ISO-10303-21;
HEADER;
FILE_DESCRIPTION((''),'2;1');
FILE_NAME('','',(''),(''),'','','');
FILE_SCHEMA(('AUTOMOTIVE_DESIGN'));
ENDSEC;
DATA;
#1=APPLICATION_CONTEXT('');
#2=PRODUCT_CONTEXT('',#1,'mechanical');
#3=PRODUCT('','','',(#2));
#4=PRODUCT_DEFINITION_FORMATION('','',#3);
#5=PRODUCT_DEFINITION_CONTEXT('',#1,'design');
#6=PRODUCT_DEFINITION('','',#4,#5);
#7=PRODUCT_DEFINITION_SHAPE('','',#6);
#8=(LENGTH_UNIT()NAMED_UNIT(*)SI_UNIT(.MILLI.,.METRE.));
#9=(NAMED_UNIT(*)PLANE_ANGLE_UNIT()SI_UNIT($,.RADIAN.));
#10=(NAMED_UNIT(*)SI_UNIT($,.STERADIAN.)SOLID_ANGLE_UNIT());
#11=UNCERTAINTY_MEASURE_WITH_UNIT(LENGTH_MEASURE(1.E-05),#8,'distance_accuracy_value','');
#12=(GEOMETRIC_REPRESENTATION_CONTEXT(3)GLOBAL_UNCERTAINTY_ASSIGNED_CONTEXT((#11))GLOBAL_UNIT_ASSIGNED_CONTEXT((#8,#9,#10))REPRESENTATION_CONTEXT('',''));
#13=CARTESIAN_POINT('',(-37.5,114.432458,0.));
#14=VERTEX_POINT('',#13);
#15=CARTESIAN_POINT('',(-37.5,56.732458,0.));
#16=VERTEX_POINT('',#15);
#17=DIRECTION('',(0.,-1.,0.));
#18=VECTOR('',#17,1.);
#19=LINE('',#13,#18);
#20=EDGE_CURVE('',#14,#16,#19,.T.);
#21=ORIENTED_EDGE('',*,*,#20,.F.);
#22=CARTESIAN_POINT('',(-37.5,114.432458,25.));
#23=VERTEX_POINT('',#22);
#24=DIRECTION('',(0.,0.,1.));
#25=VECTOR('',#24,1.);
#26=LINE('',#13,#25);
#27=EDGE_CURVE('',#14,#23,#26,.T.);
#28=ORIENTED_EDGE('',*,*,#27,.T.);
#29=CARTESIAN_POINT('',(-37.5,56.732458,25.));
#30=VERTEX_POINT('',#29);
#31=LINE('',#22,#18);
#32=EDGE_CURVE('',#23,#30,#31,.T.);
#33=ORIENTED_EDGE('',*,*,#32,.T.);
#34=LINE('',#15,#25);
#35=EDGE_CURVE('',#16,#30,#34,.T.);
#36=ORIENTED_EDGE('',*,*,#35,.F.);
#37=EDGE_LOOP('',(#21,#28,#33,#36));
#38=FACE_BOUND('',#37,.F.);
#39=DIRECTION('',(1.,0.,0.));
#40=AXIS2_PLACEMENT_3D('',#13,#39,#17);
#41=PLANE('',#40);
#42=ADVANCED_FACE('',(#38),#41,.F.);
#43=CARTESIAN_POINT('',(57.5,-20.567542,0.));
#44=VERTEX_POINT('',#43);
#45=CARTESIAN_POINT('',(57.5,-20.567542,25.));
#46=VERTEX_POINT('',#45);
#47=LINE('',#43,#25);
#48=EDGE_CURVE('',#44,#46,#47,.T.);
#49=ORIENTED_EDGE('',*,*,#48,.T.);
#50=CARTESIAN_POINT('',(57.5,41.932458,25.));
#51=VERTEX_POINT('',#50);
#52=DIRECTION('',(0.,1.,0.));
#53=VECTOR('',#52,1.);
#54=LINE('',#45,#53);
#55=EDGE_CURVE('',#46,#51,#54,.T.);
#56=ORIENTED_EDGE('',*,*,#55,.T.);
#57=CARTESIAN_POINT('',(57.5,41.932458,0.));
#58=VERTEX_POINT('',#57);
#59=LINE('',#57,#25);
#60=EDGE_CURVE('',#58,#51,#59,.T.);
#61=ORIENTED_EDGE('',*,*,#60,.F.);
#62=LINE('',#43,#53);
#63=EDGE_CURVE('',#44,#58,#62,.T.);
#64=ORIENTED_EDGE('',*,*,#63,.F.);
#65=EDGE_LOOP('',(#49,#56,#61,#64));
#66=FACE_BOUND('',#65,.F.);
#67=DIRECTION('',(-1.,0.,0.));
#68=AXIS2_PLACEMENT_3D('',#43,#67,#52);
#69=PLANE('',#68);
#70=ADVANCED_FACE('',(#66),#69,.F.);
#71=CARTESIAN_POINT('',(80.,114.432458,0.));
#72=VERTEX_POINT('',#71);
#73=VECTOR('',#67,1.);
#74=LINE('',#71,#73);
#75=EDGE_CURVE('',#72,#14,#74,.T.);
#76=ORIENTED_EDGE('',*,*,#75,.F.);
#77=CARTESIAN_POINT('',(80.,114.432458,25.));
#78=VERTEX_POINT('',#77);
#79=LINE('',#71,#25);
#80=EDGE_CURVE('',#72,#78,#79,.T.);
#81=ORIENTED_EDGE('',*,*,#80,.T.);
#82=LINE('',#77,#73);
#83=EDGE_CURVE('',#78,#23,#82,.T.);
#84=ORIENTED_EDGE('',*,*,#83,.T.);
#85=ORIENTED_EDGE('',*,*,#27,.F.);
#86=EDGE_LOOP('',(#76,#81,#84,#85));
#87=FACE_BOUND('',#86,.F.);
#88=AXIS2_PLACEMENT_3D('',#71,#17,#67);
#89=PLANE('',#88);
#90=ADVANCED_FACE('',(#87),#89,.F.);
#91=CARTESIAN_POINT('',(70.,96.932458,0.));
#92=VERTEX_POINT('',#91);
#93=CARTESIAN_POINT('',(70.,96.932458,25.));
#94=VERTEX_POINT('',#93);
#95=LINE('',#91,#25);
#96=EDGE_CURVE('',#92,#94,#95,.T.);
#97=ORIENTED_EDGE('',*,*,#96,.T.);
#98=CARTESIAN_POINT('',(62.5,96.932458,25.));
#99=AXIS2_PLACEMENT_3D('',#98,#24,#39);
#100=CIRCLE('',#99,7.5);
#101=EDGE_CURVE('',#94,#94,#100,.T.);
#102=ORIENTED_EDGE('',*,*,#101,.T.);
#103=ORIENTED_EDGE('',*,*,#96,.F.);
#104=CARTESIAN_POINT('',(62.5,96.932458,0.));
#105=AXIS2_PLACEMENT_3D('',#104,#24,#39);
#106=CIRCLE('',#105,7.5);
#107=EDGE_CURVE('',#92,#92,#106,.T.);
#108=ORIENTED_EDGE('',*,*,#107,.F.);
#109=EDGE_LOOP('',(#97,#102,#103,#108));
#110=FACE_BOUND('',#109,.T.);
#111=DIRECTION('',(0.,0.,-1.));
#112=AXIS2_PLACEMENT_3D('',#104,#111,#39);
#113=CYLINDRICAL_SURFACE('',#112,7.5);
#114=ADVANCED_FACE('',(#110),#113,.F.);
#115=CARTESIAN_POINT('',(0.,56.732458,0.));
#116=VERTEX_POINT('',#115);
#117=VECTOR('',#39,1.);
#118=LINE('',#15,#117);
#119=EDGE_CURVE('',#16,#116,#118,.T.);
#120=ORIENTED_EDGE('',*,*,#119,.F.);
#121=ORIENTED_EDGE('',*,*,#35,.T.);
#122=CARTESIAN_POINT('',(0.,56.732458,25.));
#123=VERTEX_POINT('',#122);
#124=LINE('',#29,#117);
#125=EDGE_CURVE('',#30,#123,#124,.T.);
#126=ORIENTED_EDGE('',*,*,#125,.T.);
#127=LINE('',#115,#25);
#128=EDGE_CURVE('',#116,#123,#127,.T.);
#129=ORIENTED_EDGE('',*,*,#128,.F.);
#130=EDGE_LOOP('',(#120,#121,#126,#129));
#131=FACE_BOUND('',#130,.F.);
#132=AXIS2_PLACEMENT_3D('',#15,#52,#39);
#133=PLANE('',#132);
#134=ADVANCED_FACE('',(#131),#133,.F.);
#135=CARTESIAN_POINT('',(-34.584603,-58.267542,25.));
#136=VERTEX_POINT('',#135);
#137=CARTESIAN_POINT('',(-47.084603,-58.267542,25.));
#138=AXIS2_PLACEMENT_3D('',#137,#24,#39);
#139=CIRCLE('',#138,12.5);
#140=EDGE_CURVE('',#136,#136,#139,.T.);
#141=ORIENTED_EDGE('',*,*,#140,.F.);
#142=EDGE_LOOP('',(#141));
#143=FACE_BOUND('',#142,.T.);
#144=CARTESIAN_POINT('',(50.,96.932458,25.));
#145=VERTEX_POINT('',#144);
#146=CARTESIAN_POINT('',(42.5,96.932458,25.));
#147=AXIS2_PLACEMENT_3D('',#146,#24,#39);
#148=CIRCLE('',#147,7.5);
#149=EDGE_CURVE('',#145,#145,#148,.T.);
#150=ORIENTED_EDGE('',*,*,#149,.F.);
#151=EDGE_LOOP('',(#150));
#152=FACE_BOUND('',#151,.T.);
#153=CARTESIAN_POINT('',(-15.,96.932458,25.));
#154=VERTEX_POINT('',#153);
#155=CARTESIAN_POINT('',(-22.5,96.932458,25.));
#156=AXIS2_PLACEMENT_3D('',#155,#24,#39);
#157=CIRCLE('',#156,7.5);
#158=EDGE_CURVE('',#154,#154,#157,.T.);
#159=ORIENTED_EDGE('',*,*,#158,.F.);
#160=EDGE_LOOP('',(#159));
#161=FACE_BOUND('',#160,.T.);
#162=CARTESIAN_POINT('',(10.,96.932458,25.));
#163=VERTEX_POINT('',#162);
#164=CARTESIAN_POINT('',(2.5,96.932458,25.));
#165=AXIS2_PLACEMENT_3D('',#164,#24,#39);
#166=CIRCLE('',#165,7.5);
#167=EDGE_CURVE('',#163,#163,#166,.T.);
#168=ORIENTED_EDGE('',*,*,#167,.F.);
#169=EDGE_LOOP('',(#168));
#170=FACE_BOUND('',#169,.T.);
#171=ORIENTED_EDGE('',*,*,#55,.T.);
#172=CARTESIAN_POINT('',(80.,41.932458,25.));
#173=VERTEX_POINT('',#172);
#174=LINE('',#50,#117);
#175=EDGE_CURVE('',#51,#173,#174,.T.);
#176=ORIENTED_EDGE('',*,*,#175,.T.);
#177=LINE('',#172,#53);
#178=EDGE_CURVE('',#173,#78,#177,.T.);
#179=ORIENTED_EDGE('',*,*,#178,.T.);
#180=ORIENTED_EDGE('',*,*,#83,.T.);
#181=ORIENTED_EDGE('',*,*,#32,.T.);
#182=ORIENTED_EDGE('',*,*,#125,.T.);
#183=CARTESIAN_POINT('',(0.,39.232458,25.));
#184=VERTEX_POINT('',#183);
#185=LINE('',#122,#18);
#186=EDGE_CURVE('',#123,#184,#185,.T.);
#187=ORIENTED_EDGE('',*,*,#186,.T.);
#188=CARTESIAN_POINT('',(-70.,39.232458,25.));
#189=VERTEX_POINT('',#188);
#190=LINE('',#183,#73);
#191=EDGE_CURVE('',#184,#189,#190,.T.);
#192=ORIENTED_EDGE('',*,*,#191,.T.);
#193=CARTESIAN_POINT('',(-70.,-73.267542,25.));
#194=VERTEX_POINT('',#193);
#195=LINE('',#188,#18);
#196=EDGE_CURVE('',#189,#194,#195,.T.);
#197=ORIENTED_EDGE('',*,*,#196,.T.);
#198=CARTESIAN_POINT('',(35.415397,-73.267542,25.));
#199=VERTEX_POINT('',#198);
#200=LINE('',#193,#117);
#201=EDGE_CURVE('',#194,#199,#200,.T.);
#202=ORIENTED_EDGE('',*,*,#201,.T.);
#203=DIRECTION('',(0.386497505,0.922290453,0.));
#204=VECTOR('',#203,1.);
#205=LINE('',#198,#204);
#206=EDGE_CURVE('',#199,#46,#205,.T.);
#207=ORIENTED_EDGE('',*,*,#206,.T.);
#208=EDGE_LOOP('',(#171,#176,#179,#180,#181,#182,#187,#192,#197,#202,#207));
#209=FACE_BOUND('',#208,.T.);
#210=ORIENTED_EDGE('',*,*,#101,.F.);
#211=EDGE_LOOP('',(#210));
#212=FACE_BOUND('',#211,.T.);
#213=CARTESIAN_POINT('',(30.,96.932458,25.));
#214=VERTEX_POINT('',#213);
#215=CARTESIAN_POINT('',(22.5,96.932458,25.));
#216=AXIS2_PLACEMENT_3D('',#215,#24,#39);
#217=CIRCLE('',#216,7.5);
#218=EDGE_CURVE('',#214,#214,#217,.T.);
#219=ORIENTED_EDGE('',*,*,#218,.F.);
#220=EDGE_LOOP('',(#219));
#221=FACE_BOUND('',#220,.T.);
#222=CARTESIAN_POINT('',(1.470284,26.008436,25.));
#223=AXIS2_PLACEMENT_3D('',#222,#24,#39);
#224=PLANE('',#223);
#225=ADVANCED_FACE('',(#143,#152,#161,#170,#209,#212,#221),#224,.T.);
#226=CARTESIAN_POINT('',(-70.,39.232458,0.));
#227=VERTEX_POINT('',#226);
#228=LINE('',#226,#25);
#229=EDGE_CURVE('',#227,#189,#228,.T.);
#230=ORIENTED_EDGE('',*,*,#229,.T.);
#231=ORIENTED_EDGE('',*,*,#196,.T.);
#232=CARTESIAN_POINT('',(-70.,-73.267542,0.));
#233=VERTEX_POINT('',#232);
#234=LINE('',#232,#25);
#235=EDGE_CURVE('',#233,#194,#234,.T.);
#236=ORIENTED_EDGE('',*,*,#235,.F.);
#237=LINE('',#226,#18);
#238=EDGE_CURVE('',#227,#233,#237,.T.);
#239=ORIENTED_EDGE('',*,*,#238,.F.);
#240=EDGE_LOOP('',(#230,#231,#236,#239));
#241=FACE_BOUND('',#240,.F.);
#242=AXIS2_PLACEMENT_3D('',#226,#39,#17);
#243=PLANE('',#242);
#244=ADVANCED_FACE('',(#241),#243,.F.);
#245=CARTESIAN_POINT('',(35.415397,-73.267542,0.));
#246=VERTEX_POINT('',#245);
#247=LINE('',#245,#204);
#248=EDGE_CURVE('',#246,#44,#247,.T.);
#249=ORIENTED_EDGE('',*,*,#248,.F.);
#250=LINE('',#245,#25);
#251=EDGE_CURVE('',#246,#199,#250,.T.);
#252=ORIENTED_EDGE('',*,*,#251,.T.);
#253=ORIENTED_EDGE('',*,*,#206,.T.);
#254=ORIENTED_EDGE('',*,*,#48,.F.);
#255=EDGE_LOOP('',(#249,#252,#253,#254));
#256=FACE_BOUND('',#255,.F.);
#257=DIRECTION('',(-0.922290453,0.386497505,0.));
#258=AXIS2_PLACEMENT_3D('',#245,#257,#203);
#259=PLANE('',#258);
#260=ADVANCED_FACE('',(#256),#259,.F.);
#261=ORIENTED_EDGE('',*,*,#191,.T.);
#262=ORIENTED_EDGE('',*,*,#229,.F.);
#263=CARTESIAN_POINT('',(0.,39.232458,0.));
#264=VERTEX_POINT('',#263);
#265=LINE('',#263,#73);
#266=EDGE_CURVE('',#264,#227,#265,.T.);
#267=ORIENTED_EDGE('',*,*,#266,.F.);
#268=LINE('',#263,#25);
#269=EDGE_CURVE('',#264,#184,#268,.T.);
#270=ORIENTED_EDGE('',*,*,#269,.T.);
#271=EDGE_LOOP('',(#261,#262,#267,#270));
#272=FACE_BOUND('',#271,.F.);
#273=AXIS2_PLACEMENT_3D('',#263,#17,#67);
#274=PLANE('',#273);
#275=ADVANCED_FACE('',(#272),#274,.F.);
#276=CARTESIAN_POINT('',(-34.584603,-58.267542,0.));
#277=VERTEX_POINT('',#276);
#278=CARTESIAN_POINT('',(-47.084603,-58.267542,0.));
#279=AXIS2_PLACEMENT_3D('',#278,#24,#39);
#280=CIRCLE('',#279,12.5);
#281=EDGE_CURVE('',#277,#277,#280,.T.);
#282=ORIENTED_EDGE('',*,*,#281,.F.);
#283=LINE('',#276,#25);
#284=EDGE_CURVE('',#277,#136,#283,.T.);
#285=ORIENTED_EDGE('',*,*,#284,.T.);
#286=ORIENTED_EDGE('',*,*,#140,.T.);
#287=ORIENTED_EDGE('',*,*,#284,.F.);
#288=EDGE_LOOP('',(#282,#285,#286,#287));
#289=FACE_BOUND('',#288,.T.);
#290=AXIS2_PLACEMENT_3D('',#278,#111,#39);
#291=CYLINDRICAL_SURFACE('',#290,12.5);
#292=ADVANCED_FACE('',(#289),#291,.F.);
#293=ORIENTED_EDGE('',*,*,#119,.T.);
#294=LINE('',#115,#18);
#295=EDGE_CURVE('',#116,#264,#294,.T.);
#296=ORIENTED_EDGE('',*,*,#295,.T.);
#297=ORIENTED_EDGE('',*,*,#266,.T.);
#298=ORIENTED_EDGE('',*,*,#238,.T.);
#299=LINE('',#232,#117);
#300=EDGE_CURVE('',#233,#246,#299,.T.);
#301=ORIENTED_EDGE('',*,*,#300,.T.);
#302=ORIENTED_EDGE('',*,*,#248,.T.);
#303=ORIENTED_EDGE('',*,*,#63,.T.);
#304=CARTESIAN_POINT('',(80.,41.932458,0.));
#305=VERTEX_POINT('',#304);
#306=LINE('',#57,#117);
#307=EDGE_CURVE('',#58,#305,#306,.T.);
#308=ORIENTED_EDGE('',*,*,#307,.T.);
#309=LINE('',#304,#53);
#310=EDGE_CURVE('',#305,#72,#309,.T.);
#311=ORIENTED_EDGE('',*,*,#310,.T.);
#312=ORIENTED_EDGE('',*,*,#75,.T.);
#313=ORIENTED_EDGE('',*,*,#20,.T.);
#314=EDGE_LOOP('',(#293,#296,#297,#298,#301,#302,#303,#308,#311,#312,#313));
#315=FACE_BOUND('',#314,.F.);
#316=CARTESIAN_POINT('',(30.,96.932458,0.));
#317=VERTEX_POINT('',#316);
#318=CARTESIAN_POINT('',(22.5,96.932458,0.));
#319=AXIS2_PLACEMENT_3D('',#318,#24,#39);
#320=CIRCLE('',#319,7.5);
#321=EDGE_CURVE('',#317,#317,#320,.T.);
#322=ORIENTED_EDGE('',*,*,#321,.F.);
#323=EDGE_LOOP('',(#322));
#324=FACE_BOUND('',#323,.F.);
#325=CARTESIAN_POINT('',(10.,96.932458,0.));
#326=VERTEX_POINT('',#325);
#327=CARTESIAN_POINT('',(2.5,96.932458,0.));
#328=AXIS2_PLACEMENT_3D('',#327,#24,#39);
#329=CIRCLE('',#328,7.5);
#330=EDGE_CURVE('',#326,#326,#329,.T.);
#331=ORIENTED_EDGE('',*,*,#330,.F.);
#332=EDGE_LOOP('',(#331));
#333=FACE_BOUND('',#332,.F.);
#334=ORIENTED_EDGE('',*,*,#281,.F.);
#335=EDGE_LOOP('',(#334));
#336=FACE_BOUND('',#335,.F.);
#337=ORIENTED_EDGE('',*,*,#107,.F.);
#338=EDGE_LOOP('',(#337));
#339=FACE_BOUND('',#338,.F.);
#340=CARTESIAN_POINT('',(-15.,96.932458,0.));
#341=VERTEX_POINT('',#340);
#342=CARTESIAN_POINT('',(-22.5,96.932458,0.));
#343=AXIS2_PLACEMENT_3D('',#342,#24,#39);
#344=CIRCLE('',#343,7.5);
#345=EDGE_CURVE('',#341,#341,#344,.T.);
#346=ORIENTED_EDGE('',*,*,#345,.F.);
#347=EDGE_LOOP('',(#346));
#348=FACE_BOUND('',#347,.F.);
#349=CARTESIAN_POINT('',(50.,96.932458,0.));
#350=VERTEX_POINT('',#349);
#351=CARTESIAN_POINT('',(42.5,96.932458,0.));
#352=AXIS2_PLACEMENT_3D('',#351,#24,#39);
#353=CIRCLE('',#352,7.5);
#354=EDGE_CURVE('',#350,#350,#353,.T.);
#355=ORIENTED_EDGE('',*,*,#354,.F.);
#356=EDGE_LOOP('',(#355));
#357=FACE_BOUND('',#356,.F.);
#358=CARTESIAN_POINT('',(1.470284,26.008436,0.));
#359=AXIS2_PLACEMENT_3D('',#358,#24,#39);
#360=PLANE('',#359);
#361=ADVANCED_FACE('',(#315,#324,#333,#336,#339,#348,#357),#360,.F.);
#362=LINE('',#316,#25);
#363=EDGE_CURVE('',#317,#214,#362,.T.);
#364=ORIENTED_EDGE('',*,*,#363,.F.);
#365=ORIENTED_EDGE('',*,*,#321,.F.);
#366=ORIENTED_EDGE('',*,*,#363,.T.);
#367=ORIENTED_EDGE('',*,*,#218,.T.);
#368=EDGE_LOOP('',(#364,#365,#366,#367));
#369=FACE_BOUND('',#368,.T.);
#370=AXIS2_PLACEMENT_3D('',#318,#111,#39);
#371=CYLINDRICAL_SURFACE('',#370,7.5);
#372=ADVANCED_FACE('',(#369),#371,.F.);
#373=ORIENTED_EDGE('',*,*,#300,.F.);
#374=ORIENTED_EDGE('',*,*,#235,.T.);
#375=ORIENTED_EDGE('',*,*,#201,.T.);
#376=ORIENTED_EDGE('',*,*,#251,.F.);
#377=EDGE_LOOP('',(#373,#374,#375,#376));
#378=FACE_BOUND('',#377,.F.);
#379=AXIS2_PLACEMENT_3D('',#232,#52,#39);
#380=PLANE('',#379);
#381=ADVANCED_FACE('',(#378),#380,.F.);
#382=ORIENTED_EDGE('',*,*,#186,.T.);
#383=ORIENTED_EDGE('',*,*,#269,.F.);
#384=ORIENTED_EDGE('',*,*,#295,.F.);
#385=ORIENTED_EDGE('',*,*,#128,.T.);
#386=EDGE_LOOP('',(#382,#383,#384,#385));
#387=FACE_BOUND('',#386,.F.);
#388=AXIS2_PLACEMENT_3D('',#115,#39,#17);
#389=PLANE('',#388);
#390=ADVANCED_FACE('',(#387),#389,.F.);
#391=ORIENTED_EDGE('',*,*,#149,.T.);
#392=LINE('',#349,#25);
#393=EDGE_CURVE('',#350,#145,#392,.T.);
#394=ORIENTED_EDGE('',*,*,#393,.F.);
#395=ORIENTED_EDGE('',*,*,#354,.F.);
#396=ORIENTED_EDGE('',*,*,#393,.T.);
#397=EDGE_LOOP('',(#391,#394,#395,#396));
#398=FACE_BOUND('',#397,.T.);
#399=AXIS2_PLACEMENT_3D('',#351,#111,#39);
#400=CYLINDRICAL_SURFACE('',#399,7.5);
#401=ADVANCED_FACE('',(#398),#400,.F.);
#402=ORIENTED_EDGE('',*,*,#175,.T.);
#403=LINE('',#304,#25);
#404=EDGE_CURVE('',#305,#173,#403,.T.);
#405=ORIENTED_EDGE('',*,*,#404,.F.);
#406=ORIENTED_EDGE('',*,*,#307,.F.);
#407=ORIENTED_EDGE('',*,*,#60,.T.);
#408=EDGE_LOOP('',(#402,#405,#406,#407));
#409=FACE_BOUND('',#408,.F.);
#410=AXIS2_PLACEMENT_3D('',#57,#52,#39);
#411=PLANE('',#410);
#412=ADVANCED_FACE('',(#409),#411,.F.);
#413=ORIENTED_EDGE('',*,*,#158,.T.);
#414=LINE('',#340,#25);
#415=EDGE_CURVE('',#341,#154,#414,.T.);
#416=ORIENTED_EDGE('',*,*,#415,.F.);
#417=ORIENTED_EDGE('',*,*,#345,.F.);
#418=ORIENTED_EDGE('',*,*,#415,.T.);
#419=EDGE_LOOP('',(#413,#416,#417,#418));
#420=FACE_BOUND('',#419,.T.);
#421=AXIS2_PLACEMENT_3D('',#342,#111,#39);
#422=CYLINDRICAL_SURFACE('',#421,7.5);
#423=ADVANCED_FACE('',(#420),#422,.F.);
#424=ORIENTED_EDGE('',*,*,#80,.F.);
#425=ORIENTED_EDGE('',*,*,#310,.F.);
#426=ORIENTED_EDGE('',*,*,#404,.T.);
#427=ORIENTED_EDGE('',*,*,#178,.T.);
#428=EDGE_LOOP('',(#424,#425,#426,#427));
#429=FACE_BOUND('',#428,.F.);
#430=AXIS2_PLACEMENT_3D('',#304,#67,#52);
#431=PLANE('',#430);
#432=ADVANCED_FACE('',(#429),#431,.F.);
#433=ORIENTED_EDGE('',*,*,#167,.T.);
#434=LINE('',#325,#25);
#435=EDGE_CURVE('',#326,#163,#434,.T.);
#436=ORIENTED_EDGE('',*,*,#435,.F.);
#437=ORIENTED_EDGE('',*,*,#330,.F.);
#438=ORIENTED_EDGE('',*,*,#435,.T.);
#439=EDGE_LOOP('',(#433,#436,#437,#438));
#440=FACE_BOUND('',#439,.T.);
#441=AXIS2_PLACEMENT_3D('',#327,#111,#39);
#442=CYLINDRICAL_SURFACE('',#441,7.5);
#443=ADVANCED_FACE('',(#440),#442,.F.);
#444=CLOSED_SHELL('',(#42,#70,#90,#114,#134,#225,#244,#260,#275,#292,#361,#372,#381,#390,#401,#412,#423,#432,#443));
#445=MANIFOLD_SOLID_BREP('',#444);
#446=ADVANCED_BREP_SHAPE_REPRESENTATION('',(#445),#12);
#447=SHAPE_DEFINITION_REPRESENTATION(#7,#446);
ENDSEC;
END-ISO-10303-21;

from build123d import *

# Parameters (mm, degrees)
F0_R     = 12.5
F0_R_2   = 7.5
F1_DEPTH = 25


with BuildPart() as f1:
    # F0 (on Top) → F1 (new body)
    with BuildSketch(Plane.XY):
        Polygon((80, 114.432458), (-37.5, 114.432458), (-37.5, 56.732458), (0, 56.732458), (0, 39.232458), (-70, 39.232458), (-70, -73.267542), (-50, -73.267542), (-25, -73.267542), (0, -73.267542), (35.415397, -73.267542), (57.5, -20.567542), (57.5, 41.932458), (80, 41.932458), (80, 96.932458), align=None)
        with Locations((-47.084603, -58.267542)):
            Circle(F0_R, mode=Mode.SUBTRACT)
        with Locations((-22.084603, -33.267542)):
            Circle(F0_R, mode=Mode.SUBTRACT)
        with Locations((0, -8.267542)):
            Circle(F0_R, mode=Mode.SUBTRACT)
        with Locations((-22.5, 96.932458)):
            Circle(F0_R_2, mode=Mode.SUBTRACT)
        with Locations((2.5, 96.932458)):
            Circle(F0_R_2, mode=Mode.SUBTRACT)
        with Locations((22.5, 96.932458)):
            Circle(F0_R_2, mode=Mode.SUBTRACT)
        with Locations((42.5, 96.932458)):
            Circle(F0_R_2, mode=Mode.SUBTRACT)
        with Locations((62.5, 96.932458)):
            Circle(F0_R_2, mode=Mode.SUBTRACT)
        with Locations((0, -8.267542)):
            Circle(F0_R)
        with Locations((-22.084603, -33.267542)):
            Circle(F0_R)
    extrude(amount=F1_DEPTH)


solid = f1.part
